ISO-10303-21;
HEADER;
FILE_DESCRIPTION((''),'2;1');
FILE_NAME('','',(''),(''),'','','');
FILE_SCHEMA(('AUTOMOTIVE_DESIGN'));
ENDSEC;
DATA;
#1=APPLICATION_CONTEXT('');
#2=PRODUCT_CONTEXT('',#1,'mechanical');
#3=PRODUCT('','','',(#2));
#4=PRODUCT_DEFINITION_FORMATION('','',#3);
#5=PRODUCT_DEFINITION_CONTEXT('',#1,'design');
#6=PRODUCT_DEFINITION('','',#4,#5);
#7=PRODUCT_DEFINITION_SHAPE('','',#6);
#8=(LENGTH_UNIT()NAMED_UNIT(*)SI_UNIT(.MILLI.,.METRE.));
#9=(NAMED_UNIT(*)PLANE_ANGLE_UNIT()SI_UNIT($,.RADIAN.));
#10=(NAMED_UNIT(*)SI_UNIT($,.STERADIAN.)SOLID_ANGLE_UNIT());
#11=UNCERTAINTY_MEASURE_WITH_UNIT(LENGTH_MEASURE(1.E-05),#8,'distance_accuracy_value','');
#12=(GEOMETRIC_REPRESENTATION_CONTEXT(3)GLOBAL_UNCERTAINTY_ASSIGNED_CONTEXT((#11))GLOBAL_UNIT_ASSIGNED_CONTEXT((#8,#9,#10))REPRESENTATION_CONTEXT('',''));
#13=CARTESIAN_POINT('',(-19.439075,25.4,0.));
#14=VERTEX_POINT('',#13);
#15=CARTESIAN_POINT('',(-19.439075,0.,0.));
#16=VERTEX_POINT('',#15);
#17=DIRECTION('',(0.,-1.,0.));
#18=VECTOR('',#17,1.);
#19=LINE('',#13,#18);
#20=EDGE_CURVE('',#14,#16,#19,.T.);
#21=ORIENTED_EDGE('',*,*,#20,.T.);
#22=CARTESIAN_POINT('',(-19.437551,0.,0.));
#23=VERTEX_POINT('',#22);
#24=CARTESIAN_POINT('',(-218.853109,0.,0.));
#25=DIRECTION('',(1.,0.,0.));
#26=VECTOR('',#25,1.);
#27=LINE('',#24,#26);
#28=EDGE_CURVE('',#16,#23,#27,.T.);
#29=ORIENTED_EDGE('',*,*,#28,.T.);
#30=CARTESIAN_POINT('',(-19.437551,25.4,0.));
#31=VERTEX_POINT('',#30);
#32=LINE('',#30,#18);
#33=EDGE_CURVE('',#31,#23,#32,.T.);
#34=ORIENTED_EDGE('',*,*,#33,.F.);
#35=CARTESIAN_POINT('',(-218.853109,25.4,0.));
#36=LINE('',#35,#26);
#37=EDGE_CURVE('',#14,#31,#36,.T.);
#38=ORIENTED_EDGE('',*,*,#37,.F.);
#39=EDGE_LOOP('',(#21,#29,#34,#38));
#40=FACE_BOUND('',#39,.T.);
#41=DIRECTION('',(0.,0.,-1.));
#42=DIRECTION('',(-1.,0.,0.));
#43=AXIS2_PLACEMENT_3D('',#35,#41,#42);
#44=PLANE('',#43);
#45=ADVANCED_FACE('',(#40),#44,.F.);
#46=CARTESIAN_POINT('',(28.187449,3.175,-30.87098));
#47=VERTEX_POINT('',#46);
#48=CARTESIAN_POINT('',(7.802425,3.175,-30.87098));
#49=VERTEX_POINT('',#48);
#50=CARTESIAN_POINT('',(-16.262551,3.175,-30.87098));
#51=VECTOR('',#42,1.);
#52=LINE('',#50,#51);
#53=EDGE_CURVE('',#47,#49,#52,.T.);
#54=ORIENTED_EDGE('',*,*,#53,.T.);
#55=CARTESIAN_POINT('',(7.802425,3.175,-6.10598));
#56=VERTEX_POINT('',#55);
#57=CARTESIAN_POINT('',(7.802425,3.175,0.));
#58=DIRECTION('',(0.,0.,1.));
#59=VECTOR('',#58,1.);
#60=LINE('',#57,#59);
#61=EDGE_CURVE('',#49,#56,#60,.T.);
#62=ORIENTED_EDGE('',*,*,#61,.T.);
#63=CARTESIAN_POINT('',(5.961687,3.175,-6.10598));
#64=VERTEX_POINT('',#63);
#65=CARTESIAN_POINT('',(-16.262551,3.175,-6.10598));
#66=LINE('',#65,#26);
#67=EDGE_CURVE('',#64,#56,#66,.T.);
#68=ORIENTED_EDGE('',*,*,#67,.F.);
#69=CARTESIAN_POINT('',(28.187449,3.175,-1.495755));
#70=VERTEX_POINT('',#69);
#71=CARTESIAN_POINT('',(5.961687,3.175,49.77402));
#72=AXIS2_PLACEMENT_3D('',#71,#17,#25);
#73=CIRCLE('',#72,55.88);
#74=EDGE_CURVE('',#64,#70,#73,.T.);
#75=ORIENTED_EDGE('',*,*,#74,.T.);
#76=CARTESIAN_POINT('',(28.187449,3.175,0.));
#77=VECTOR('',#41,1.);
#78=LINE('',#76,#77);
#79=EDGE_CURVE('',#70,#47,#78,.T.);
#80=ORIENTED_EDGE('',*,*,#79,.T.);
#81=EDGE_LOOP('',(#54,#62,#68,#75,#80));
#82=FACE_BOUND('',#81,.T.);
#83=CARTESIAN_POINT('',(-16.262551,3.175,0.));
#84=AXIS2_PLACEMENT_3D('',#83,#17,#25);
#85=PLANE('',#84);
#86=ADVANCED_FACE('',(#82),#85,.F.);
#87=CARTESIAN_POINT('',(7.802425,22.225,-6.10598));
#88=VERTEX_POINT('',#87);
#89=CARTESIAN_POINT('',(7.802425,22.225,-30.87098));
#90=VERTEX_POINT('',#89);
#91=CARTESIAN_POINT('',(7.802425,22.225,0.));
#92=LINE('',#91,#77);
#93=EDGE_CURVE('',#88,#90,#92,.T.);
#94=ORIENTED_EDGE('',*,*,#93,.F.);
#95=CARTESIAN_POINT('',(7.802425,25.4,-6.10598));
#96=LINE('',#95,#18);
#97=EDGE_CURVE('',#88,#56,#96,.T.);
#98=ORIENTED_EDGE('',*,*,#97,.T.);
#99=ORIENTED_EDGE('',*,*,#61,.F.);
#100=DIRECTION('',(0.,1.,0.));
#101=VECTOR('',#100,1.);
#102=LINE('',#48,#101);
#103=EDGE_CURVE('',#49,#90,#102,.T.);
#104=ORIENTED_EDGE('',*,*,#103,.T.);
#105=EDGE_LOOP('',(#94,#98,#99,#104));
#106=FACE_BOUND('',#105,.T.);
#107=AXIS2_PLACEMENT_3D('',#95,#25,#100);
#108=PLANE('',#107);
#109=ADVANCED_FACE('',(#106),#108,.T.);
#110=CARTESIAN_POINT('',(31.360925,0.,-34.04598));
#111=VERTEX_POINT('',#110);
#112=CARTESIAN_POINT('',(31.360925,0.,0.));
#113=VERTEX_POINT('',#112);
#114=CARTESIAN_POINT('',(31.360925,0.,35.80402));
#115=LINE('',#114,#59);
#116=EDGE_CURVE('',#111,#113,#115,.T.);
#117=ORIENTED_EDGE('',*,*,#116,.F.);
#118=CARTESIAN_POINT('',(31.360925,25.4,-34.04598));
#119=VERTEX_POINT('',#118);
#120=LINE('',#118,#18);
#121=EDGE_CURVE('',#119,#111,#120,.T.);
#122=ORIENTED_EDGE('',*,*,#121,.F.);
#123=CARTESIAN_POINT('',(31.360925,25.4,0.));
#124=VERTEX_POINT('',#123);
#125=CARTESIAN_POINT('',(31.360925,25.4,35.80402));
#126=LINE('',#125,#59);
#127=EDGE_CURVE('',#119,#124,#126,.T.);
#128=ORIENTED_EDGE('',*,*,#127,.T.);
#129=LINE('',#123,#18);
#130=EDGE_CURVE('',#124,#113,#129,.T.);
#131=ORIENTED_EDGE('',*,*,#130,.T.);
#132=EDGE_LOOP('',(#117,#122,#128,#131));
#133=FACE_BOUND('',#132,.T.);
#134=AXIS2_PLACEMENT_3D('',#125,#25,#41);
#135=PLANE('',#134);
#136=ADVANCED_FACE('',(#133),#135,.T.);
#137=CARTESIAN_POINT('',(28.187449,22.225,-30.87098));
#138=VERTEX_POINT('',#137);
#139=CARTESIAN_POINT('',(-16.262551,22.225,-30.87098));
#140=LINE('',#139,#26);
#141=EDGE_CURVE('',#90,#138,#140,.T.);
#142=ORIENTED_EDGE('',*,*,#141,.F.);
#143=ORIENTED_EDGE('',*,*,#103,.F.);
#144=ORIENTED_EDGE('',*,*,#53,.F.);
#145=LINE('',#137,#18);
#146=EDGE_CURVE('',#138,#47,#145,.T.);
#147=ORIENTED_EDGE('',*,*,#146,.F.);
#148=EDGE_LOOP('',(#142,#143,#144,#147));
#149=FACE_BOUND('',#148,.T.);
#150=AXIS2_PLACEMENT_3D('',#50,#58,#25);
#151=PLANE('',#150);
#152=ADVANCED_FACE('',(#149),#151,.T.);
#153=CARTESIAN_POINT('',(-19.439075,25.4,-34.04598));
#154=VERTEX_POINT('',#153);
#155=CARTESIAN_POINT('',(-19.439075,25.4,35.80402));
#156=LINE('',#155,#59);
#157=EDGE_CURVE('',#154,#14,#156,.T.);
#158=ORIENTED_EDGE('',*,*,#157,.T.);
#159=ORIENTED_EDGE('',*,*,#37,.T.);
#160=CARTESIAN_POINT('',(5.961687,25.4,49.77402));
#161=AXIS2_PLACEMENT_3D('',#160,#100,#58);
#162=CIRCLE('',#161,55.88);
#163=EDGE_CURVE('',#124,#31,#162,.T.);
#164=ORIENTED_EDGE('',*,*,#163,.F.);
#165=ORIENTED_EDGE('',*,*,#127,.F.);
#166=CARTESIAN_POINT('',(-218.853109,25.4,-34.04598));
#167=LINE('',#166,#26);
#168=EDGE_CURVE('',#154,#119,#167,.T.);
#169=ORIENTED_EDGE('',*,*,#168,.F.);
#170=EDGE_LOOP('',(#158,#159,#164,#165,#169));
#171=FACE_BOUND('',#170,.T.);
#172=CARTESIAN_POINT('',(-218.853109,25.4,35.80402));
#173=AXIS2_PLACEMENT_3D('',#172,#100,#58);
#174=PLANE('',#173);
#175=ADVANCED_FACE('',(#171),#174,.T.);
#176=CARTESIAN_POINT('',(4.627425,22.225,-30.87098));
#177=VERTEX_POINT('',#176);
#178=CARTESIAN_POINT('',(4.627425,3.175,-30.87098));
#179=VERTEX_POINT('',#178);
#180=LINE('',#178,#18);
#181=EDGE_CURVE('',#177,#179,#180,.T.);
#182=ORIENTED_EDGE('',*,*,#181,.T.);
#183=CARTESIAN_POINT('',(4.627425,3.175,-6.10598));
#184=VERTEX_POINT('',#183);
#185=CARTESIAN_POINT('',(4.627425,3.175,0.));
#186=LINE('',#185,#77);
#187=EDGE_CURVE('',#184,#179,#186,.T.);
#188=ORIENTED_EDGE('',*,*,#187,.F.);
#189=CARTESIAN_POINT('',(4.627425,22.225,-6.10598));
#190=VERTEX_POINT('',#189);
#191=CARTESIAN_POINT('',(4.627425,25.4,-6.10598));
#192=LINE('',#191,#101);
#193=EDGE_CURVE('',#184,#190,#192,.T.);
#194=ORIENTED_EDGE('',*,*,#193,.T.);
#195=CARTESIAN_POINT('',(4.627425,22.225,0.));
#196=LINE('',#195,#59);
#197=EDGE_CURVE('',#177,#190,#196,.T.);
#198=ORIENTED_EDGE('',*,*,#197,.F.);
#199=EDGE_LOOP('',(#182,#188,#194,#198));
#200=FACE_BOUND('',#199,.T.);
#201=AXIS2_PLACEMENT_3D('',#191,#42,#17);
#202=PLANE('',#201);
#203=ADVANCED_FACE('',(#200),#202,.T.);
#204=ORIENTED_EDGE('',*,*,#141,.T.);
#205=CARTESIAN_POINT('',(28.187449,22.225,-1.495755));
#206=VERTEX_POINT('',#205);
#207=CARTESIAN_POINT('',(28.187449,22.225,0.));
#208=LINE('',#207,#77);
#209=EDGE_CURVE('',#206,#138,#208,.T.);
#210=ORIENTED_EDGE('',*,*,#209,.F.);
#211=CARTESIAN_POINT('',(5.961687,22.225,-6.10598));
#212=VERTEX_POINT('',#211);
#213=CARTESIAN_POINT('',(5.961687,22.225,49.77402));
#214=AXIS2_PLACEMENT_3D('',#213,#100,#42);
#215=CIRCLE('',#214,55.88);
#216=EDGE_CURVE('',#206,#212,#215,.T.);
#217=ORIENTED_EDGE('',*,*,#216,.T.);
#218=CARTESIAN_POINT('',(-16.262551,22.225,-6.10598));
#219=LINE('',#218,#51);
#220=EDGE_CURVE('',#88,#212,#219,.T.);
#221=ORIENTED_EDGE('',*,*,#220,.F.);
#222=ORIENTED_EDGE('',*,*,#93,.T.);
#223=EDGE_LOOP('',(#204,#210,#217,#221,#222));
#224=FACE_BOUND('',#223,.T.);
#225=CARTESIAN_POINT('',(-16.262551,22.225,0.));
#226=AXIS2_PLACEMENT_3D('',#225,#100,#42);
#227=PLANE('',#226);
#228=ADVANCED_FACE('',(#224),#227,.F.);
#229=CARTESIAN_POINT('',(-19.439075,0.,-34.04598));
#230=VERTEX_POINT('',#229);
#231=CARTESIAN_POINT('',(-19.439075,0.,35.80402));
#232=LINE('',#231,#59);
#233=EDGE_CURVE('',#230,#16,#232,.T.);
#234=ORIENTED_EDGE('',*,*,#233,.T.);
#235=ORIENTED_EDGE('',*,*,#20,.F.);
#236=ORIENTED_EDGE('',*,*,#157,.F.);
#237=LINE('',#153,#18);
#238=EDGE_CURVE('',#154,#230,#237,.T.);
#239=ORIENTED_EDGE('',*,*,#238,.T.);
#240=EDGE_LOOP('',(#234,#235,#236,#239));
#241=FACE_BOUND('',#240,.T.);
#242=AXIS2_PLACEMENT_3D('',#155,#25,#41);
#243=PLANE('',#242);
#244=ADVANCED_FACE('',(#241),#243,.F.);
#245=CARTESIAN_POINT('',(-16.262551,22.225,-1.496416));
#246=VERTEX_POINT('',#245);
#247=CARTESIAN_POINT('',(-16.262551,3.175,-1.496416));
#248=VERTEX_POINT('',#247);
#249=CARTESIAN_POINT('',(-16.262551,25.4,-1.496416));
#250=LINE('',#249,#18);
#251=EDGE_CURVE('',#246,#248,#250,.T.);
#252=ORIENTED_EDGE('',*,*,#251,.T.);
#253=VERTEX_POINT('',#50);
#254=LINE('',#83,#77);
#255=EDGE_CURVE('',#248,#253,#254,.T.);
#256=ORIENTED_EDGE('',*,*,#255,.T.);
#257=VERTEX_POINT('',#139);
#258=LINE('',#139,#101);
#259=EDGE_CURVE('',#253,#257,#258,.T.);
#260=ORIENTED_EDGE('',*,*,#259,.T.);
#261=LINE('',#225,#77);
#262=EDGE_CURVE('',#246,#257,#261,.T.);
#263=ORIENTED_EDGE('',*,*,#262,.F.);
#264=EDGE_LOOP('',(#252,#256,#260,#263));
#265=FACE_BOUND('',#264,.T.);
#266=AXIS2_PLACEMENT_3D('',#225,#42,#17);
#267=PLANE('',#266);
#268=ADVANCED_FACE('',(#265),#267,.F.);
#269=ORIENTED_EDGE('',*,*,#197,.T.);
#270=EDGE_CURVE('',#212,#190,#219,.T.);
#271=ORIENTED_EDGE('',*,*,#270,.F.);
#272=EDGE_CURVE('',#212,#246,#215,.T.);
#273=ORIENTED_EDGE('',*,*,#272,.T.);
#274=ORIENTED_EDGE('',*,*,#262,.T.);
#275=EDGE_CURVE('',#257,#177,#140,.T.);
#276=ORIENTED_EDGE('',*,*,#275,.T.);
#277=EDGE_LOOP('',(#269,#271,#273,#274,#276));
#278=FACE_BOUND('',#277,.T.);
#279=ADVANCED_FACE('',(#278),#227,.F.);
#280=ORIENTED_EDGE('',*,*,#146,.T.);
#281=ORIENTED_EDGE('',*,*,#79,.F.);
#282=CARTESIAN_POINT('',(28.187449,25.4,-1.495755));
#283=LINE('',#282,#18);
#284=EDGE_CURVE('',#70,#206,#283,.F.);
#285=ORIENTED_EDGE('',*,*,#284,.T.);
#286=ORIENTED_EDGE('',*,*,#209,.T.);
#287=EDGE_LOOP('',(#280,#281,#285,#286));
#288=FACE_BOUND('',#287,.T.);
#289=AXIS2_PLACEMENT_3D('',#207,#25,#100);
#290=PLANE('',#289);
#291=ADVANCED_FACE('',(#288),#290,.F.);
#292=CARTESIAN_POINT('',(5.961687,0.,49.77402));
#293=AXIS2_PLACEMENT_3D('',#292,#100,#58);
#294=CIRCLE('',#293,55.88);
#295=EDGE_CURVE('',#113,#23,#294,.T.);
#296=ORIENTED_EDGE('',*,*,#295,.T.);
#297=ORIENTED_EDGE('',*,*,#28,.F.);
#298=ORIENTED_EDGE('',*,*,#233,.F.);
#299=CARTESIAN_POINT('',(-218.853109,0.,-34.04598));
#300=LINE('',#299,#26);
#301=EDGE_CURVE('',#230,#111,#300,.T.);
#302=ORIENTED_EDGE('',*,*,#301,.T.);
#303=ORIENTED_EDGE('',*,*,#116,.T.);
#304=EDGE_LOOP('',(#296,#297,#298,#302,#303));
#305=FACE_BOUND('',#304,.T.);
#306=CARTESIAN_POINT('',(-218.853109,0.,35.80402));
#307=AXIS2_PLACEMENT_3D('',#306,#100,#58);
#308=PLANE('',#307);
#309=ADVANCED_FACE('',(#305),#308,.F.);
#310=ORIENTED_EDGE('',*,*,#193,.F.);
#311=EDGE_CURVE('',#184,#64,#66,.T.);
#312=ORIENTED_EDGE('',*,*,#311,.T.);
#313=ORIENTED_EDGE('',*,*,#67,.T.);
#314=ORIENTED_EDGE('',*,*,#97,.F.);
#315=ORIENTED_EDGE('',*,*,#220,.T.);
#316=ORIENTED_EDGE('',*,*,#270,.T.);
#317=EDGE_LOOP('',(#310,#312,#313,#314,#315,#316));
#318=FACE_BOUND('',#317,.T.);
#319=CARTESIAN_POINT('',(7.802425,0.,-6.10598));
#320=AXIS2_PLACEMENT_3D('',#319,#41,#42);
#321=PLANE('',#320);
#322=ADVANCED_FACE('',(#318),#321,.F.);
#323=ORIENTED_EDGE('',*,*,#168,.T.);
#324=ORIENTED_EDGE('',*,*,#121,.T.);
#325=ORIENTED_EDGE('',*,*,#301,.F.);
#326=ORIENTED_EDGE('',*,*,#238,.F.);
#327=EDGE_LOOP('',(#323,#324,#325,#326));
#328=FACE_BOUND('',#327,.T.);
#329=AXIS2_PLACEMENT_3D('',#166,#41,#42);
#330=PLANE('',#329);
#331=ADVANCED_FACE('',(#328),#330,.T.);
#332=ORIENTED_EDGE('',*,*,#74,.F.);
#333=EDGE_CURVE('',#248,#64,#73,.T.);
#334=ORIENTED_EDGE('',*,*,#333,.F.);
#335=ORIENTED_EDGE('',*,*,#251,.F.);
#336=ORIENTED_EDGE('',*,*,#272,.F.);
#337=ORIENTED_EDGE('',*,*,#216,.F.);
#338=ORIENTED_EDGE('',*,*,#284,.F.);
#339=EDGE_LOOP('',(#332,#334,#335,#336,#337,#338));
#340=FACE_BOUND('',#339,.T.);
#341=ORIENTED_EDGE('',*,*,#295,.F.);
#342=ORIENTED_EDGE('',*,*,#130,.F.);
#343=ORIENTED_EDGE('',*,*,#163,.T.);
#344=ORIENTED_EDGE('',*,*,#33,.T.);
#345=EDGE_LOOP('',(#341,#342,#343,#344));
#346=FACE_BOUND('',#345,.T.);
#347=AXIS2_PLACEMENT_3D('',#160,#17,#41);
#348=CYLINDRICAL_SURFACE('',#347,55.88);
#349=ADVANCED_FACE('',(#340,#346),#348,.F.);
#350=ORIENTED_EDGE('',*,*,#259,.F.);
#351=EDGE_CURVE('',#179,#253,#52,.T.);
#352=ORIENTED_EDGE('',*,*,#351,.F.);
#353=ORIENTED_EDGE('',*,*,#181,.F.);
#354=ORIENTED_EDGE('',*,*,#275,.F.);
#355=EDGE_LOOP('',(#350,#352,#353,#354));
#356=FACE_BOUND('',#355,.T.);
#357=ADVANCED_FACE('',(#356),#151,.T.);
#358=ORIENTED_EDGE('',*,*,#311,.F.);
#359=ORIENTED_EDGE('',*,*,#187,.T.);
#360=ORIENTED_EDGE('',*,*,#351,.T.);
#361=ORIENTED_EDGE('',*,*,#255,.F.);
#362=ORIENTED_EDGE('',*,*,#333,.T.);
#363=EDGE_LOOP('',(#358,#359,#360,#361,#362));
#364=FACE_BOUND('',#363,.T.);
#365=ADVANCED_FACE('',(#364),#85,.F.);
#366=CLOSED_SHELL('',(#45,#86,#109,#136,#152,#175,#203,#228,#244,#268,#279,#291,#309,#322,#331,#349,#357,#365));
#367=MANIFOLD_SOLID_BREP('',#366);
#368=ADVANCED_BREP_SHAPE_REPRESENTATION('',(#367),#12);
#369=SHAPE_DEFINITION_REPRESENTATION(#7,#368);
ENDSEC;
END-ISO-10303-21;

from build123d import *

# Parameters (mm, degrees)
BOSS_EXTRUDE2_DEPTH = 25.4
CUT_EXTRUDE1_START  = -3.175
SKETCH3_W           = 44.45
SKETCH3_H           = 19.05
CUT_EXTRUDE1_DEPTH  = 50.624586707
SKETCH4_W           = 3.175
SKETCH4_H           = 25.4
BOSS_EXTRUDE3_DEPTH = 27.94


with BuildPart() as part:
    # Sketch1 → Boss-Extrude2 (new body)
    with BuildSketch(Plane(origin=(0, 0, 0), x_dir=(1, 0, 0), z_dir=(0, 1, 0))):
        with BuildLine():
            Line((31.360925226, 34.045979578), (-19.439074774, 34.045979578))
            Line((-19.439074774, 34.045979578), (-19.439074774, 0))
            Line((-19.439074774, 0), (-19.437550774, 0))
            ThreePointArc((-19.437550774, 0), (5.961687226, 6.105979578), (31.360925226, 0))
            Line((31.360925226, 0), (31.360925226, 34.045979578))
        make_face()
    extrude(amount=BOSS_EXTRUDE2_DEPTH)

    # Sketch3 → Cut-Extrude1 (cut, through all)
    with BuildSketch(Plane(origin=(0, 0, -34.045979578), x_dir=(-1, 0, 0), z_dir=(0, 0, -1)).offset(CUT_EXTRUDE1_START)):
        with Locations((-5.962449226, 12.7)):
            Rectangle(SKETCH3_W, SKETCH3_H)
    extrude(amount=-CUT_EXTRUDE1_DEPTH, mode=Mode.SUBTRACT)

    # Sketch4 → Boss-Extrude3 (add)
    with BuildSketch(Plane(origin=(0, 0, -34.045979578), x_dir=(-1, 0, 0), z_dir=(0, 0, -1))):
        with Locations((-6.214925226, 12.7)):
            Rectangle(SKETCH4_W, SKETCH4_H)
    extrude(amount=-BOSS_EXTRUDE3_DEPTH)


solid = part.part
